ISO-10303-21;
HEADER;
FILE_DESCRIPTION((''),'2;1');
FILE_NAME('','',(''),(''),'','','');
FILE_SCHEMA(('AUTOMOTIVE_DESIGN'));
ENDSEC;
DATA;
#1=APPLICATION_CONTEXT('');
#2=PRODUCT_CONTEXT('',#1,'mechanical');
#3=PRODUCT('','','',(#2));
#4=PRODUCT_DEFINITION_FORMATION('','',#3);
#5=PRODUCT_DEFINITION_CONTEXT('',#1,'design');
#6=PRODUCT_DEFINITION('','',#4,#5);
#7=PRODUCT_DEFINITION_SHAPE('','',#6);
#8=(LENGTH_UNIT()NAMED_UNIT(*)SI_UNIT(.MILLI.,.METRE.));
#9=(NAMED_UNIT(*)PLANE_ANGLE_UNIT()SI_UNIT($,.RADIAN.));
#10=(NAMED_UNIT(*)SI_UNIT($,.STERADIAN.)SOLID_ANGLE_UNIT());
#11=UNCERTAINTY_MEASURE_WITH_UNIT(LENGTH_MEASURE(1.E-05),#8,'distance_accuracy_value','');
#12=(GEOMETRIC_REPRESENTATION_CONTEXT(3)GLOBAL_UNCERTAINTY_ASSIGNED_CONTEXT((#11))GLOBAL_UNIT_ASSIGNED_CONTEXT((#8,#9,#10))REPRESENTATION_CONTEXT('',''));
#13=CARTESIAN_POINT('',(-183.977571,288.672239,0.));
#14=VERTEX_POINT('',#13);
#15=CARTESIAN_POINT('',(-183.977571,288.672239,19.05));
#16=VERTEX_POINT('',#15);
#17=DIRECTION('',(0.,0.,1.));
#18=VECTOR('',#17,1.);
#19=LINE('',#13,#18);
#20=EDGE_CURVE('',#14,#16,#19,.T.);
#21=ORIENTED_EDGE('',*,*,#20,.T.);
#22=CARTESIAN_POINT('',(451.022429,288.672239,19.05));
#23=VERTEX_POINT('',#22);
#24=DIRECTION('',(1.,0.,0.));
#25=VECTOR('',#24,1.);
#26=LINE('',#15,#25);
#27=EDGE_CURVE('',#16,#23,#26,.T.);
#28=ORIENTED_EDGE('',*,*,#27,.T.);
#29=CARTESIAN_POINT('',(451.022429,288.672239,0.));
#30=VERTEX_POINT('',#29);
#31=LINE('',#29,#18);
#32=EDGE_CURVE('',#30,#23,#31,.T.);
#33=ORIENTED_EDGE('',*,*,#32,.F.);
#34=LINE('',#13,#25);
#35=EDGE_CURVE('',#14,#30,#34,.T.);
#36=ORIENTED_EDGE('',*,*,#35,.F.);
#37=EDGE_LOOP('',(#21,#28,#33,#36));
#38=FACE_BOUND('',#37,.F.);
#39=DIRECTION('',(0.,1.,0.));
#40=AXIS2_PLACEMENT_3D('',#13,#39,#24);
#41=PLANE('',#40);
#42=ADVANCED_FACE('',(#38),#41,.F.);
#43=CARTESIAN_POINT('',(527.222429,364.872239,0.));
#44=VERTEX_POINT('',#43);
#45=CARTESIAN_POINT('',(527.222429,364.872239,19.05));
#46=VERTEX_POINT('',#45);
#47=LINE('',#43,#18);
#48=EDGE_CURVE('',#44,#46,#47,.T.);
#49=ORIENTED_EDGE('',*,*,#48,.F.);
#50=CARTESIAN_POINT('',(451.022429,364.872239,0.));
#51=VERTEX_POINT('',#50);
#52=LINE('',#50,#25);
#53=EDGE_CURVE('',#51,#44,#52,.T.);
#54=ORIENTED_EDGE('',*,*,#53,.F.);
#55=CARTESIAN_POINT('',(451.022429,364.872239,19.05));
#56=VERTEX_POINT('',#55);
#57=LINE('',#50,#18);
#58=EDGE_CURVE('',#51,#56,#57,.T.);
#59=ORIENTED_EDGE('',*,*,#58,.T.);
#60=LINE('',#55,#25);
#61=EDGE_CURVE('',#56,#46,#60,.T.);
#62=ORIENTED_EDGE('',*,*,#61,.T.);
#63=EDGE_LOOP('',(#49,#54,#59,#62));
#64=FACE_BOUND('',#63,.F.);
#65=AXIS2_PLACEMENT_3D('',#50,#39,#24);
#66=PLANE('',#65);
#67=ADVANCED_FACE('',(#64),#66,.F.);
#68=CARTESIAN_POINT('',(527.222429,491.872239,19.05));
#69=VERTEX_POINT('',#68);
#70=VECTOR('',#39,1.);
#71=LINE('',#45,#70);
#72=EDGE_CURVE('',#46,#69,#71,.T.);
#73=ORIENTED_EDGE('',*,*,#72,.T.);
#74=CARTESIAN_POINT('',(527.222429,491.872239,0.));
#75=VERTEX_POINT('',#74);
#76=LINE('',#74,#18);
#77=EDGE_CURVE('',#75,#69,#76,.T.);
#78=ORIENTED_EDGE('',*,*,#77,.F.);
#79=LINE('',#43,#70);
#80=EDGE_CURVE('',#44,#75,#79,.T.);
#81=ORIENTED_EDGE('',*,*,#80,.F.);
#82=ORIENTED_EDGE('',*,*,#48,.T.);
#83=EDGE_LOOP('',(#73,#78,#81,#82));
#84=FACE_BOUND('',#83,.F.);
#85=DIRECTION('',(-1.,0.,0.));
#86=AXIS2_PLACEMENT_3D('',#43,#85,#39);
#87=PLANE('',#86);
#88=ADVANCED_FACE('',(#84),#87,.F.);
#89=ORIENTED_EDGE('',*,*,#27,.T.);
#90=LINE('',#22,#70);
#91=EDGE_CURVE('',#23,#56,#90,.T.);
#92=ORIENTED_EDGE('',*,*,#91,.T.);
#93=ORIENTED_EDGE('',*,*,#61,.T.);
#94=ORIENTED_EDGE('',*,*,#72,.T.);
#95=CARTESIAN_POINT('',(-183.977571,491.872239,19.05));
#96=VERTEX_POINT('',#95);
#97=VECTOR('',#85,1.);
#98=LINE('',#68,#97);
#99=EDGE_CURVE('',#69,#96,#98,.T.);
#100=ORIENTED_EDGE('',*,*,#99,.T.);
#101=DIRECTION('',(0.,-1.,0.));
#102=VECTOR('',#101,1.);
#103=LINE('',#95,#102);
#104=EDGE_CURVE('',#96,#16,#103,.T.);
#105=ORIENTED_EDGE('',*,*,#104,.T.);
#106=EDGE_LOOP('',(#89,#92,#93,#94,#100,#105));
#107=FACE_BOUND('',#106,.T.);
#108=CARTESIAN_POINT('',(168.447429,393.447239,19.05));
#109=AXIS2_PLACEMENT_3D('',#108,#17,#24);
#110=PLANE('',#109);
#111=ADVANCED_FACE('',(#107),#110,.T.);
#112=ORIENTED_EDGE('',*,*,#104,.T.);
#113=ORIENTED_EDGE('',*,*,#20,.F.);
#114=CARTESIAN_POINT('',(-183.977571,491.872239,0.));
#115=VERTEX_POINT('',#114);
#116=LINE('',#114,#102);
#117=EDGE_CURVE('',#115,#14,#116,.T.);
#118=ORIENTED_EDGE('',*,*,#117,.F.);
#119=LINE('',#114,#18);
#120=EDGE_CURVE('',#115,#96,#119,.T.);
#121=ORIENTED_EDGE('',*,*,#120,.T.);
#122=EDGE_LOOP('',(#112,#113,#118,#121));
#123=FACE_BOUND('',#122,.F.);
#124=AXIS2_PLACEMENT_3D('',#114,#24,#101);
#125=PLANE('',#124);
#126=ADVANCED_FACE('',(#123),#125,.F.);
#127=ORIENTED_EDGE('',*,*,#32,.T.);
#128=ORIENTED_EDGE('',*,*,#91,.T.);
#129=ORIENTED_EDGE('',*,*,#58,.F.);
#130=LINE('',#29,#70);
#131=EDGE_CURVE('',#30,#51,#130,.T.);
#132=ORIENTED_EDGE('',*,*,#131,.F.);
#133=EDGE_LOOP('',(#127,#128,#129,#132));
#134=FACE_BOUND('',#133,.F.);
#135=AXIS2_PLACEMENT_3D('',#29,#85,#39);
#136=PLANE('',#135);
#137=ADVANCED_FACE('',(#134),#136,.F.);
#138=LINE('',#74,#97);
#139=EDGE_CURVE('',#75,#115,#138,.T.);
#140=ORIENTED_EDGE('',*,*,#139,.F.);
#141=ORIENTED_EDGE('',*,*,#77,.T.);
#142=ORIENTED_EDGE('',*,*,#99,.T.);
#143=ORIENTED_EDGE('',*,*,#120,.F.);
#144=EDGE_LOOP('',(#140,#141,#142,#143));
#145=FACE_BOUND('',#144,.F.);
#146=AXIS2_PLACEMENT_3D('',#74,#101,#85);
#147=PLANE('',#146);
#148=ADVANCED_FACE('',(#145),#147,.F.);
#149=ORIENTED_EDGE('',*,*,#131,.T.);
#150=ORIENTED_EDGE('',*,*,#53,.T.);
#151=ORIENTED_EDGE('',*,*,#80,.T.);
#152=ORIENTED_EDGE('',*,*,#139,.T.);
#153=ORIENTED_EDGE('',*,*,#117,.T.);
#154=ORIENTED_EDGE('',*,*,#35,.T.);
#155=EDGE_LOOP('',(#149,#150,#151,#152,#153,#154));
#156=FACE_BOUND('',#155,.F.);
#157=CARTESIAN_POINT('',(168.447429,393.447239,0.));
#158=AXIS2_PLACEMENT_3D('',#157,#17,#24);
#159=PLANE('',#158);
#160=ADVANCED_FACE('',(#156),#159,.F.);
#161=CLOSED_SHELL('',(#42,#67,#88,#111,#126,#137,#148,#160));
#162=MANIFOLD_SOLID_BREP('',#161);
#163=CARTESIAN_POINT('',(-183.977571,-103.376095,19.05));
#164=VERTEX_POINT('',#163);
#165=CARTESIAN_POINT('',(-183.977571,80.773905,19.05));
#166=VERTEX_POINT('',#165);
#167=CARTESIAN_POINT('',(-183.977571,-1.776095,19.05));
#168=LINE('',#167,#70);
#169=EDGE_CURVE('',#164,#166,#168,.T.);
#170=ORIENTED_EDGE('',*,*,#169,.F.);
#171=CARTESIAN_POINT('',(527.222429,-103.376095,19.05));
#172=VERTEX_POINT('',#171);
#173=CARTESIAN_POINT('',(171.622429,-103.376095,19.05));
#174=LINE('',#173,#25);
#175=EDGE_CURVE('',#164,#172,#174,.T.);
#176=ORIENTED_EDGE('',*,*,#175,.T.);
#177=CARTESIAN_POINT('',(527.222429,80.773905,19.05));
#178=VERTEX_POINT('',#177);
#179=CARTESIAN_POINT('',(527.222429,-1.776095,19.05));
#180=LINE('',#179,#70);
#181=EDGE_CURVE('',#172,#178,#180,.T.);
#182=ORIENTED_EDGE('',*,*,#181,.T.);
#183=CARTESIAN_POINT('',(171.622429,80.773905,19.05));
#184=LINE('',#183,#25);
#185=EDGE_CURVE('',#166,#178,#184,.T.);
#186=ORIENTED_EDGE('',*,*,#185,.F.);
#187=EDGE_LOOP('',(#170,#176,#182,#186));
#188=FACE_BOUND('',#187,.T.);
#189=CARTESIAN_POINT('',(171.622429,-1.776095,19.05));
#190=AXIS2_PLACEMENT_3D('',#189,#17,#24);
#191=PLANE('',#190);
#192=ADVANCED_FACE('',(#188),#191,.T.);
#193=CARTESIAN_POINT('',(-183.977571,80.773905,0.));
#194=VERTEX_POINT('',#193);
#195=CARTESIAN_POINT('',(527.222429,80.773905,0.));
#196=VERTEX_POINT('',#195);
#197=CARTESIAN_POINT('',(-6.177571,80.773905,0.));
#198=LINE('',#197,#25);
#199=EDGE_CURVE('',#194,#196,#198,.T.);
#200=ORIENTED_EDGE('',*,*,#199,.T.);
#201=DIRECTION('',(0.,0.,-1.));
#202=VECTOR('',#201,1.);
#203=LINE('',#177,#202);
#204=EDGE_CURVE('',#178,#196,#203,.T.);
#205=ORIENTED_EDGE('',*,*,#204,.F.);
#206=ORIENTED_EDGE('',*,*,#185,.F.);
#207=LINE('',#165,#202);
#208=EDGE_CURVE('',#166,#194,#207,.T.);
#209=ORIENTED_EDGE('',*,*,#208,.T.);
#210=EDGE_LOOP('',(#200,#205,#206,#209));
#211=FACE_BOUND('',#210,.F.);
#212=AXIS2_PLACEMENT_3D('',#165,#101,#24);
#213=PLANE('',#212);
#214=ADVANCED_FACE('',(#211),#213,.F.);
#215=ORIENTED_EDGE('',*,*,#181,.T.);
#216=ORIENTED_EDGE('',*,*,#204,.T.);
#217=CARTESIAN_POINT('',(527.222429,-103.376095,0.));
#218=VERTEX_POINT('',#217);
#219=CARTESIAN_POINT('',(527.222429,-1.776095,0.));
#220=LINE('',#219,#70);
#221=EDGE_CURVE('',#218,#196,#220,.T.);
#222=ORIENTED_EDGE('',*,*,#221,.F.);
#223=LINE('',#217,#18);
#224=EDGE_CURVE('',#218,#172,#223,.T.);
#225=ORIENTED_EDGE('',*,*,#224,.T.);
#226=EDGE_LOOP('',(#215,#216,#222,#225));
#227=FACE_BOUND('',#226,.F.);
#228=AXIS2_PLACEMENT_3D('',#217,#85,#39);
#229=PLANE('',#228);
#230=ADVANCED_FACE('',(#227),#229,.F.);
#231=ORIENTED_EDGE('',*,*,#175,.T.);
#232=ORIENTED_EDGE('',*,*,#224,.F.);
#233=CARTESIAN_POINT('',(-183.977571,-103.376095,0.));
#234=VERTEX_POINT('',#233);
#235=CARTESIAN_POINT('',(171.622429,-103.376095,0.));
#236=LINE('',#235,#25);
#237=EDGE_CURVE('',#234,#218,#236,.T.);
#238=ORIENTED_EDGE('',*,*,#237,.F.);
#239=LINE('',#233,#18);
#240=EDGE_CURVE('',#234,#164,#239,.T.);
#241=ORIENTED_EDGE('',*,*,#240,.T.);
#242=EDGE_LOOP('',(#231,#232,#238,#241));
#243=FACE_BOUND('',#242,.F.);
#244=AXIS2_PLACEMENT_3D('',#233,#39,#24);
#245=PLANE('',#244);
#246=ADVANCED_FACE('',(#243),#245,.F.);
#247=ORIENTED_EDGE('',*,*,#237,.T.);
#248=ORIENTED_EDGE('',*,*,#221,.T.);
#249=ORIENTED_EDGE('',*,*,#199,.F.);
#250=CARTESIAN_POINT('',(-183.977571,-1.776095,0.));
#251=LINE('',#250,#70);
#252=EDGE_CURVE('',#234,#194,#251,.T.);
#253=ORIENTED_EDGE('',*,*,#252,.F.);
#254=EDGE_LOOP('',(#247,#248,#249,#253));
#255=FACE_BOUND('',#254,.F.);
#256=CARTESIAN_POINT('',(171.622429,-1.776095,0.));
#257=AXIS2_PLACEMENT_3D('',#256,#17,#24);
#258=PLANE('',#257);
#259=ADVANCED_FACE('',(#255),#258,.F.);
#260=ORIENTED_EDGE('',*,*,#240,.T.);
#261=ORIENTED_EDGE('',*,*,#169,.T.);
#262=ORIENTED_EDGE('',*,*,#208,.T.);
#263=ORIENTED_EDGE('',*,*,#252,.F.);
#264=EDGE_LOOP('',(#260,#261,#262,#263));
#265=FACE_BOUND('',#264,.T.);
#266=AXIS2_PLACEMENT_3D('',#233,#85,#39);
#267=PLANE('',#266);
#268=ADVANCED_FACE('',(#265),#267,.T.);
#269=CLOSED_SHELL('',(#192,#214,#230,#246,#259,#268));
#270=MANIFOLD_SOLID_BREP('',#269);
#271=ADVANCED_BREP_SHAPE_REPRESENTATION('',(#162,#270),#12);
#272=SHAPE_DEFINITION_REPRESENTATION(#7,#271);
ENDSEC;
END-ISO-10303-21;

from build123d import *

# Parameters (mm, degrees)
F0_W     = 711.2
F0_H     = 203.2
F1_DEPTH = 19.05
F2_DEPTH = 19.05
F0_W_2   = 76.2
F0_H_2   = 76.2
F3_DEPTH = 19.05
F4_W     = 711.2
F4_H     = 19.05
F5_DEPTH = 19.051


with BuildPart() as f1:
    # F0 (on Top) → F1 (new body)
    with BuildSketch(Plane.XY):
        with Locations((171.622429, -1.776095)):
            Rectangle(F0_W, F0_H)
    extrude(amount=F1_DEPTH)

    # F4 (on face) → F5 (cut, through all)
    with BuildSketch(Plane.XY.offset(19.05)):
        with Locations((171.622429, 90.298905)):
            Rectangle(F4_W, F4_H)
    extrude(amount=-F5_DEPTH, mode=Mode.SUBTRACT)


with BuildPart() as f2:
    # F0 (on Top) → F2 (new body)
    with BuildSketch(Plane.XY):
        Polygon((-183.977571, 491.872239), (-183.977571, 288.672239), (451.022429, 288.672239), (451.022429, 364.872239), (527.222429, 364.872239), (527.222429, 491.872239), align=None)
    extrude(amount=F2_DEPTH)


with BuildPart() as f3:
    # F0 (on Top) → F3 (new body)
    with BuildSketch(Plane.XY):
        with Locations((489.122429, 326.772239)):
            Rectangle(F0_W_2, F0_H_2)
    extrude(amount=F3_DEPTH)


solid = Compound([f1.part, f2.part])
